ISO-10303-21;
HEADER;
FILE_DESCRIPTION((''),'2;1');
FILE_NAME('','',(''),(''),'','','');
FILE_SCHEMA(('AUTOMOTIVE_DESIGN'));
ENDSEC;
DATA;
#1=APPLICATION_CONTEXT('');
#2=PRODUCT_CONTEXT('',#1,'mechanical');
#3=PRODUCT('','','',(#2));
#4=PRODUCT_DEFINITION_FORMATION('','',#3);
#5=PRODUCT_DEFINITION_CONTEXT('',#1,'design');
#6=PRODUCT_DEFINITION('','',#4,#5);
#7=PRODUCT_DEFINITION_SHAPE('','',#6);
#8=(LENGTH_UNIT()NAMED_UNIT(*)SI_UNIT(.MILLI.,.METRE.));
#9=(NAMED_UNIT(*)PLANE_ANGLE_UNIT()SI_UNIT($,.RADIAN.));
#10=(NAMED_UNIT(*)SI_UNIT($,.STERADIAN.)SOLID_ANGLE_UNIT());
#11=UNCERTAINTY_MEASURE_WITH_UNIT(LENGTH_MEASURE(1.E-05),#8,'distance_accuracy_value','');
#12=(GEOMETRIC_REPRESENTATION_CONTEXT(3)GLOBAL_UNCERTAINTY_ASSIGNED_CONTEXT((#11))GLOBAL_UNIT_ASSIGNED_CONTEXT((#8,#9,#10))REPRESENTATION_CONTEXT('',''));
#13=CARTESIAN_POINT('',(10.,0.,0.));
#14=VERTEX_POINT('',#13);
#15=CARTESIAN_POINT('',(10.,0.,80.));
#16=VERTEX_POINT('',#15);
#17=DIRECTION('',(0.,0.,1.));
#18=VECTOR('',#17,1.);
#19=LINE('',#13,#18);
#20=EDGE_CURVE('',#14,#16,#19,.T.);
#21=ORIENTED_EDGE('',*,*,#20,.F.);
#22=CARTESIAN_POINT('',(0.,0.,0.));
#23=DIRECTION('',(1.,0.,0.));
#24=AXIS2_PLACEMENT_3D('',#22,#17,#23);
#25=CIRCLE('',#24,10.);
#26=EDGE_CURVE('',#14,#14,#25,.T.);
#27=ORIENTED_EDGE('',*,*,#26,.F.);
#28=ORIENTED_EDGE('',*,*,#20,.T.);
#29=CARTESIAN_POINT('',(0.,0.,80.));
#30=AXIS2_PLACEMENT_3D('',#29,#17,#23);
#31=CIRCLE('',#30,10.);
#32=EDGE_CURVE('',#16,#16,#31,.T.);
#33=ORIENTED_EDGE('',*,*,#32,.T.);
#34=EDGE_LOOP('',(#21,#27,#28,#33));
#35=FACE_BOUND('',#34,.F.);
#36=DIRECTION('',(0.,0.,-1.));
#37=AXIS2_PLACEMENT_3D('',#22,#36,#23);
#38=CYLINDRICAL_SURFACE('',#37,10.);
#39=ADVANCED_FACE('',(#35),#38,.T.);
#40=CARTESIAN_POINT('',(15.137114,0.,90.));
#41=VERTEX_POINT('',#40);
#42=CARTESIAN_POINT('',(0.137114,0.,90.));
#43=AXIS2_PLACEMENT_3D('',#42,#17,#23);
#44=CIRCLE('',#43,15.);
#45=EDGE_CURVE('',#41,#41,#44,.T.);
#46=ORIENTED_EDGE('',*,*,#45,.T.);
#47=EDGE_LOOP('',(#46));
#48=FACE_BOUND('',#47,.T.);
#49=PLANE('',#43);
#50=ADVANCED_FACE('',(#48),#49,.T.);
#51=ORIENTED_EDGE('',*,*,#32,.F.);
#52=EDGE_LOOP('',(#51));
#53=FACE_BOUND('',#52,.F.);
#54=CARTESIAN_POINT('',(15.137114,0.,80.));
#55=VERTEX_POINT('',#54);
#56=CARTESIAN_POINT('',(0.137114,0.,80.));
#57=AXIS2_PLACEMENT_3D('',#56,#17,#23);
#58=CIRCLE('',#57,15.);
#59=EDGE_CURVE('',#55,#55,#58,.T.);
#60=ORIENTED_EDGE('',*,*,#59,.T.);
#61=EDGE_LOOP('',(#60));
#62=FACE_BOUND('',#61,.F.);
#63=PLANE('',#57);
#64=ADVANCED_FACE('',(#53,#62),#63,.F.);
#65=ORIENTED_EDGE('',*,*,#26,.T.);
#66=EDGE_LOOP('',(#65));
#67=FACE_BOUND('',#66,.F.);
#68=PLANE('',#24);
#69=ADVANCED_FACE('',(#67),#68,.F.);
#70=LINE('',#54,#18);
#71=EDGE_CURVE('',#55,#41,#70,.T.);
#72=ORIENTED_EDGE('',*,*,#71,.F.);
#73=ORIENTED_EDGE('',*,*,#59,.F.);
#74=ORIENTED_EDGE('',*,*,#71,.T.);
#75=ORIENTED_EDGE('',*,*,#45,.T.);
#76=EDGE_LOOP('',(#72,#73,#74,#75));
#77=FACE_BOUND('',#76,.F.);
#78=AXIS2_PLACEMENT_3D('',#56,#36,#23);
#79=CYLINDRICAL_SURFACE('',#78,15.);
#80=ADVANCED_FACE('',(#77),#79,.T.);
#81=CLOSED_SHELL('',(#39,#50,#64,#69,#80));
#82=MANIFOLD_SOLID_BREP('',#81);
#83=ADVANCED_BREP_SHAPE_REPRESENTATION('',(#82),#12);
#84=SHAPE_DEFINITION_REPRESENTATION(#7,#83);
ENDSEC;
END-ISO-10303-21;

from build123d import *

# Parameters (mm, degrees)
SKETCH_R     = 10
PAD_DEPTH    = 80
SKETCH001_R  = 15
PAD001_DEPTH = 10


with BuildPart() as part:
    # Sketch → Pad (new body)
    with BuildSketch(Plane.XY):
        Circle(SKETCH_R)
    extrude(amount=PAD_DEPTH)

    # Sketch001 (on Face3 of Pad) → Pad001 (join)
    with BuildSketch(Plane.XY.offset(80)):
        with Locations((0.137114, 0)):
            Circle(SKETCH001_R)
    extrude(amount=PAD001_DEPTH)


solid = part.part
